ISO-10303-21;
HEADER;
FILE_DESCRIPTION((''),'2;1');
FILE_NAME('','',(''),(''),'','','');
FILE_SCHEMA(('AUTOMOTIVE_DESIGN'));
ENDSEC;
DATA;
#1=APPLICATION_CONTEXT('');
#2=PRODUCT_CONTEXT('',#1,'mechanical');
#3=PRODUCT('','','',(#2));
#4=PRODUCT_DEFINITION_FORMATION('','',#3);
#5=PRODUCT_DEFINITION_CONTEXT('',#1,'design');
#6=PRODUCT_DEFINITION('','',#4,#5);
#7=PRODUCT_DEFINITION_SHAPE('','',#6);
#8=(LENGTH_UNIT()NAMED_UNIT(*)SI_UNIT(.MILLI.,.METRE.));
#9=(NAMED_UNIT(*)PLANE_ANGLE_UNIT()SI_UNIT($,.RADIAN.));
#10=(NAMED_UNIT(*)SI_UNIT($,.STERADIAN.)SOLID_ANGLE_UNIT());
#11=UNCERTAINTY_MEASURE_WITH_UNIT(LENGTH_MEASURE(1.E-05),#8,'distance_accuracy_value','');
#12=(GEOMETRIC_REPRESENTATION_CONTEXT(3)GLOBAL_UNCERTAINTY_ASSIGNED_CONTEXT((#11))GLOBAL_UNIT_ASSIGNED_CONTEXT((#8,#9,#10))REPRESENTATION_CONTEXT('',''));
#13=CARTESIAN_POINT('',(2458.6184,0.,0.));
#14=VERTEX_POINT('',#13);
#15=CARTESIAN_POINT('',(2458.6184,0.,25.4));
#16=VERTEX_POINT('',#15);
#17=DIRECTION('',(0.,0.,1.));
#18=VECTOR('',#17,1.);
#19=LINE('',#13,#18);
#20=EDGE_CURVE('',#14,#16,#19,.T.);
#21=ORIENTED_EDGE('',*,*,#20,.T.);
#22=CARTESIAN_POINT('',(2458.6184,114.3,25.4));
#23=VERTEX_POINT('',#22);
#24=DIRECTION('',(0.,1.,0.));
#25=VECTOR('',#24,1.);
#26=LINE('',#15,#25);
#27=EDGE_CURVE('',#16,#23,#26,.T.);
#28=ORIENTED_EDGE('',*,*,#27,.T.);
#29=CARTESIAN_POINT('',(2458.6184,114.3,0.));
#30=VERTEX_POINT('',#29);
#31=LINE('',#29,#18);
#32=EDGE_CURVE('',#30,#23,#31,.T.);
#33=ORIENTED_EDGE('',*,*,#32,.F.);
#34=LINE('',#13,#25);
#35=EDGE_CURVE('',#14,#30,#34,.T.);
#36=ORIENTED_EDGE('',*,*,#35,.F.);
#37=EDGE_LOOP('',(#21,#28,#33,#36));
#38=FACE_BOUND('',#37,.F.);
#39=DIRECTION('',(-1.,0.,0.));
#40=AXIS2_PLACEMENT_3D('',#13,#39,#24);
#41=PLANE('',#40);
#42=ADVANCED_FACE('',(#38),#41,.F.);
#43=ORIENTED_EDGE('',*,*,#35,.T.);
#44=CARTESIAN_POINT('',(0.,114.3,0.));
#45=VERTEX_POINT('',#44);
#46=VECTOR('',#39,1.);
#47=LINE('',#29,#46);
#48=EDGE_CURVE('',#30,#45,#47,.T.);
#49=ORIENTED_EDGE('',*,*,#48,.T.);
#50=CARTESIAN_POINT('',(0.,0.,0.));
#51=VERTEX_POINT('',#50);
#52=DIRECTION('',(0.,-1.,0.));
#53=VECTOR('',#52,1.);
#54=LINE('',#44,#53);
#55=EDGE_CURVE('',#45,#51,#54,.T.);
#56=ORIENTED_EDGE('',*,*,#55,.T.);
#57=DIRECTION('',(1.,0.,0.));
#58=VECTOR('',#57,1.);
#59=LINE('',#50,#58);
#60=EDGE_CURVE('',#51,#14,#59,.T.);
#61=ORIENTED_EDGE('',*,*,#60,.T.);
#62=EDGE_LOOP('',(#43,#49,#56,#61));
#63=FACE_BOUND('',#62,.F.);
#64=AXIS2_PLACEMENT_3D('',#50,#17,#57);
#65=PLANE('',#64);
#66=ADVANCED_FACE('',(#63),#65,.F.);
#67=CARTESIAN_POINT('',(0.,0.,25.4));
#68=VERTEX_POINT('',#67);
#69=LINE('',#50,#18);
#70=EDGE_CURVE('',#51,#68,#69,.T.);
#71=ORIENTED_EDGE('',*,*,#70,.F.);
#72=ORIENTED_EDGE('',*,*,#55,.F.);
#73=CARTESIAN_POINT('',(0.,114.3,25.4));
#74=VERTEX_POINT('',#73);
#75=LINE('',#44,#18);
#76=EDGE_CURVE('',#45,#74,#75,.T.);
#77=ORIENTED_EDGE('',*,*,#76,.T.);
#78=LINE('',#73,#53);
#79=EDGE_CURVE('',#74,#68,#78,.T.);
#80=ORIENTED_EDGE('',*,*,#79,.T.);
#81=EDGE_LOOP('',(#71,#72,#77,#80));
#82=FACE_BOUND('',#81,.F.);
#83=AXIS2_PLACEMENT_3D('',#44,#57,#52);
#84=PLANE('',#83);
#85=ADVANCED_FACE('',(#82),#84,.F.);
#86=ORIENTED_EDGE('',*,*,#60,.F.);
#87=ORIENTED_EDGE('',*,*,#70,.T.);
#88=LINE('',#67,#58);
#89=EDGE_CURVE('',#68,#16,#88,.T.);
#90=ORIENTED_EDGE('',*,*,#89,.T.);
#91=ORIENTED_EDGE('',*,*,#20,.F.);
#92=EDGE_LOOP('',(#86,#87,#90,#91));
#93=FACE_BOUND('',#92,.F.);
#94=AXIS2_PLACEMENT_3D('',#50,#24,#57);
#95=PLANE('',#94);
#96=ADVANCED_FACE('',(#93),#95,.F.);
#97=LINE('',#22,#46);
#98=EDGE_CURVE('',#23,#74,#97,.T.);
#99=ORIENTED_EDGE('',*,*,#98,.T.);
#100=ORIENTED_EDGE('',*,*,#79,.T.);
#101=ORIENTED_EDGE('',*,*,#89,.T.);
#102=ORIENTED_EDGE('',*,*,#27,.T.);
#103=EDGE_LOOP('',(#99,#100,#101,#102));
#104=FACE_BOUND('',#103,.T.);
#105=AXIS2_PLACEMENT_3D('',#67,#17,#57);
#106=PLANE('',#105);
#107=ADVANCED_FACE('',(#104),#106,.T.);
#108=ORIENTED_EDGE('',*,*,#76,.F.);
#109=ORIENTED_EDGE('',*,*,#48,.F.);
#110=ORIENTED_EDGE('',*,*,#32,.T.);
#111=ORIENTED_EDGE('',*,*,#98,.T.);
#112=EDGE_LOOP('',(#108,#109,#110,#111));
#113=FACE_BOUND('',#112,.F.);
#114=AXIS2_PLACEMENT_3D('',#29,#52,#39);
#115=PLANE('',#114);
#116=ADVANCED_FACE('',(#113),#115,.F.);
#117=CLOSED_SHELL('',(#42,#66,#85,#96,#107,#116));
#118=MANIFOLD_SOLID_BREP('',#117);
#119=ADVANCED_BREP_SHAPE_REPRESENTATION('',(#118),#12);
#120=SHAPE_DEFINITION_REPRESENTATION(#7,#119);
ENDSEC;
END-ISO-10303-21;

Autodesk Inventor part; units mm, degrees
ref_plane "YZ Plane" through (0, 0, 0) normal (1, 0, 0) x (0, 1, 0)
ref_plane "XZ Plane" through (0, 0, 0) normal (0, 1, 0) x (-1, 0, 0)
ref_plane "XY Plane" through (0, 0, 0) normal (0, 0, 1) x (1, 0, 0)
sketch "Sketch1" plane through (0, 0, 0) normal (0, 0, 1) x (1, 0, 0)
  line L0 (0, 0) -> (2458.6184, 0)
  line L1 (2458.6184, 0) -> (2458.6184, 114.3)
  line L2 (2458.6184, 114.3) -> (0, 114.3)
  line L3 (0, 114.3) -> (0, 0)
  dimension "d2" = 114.3
  dimension "d3" = 2458.6184
extrude "Extrusion1" add sketch "Sketch1" along normal blind 25.4
properties part number "Fascia"
